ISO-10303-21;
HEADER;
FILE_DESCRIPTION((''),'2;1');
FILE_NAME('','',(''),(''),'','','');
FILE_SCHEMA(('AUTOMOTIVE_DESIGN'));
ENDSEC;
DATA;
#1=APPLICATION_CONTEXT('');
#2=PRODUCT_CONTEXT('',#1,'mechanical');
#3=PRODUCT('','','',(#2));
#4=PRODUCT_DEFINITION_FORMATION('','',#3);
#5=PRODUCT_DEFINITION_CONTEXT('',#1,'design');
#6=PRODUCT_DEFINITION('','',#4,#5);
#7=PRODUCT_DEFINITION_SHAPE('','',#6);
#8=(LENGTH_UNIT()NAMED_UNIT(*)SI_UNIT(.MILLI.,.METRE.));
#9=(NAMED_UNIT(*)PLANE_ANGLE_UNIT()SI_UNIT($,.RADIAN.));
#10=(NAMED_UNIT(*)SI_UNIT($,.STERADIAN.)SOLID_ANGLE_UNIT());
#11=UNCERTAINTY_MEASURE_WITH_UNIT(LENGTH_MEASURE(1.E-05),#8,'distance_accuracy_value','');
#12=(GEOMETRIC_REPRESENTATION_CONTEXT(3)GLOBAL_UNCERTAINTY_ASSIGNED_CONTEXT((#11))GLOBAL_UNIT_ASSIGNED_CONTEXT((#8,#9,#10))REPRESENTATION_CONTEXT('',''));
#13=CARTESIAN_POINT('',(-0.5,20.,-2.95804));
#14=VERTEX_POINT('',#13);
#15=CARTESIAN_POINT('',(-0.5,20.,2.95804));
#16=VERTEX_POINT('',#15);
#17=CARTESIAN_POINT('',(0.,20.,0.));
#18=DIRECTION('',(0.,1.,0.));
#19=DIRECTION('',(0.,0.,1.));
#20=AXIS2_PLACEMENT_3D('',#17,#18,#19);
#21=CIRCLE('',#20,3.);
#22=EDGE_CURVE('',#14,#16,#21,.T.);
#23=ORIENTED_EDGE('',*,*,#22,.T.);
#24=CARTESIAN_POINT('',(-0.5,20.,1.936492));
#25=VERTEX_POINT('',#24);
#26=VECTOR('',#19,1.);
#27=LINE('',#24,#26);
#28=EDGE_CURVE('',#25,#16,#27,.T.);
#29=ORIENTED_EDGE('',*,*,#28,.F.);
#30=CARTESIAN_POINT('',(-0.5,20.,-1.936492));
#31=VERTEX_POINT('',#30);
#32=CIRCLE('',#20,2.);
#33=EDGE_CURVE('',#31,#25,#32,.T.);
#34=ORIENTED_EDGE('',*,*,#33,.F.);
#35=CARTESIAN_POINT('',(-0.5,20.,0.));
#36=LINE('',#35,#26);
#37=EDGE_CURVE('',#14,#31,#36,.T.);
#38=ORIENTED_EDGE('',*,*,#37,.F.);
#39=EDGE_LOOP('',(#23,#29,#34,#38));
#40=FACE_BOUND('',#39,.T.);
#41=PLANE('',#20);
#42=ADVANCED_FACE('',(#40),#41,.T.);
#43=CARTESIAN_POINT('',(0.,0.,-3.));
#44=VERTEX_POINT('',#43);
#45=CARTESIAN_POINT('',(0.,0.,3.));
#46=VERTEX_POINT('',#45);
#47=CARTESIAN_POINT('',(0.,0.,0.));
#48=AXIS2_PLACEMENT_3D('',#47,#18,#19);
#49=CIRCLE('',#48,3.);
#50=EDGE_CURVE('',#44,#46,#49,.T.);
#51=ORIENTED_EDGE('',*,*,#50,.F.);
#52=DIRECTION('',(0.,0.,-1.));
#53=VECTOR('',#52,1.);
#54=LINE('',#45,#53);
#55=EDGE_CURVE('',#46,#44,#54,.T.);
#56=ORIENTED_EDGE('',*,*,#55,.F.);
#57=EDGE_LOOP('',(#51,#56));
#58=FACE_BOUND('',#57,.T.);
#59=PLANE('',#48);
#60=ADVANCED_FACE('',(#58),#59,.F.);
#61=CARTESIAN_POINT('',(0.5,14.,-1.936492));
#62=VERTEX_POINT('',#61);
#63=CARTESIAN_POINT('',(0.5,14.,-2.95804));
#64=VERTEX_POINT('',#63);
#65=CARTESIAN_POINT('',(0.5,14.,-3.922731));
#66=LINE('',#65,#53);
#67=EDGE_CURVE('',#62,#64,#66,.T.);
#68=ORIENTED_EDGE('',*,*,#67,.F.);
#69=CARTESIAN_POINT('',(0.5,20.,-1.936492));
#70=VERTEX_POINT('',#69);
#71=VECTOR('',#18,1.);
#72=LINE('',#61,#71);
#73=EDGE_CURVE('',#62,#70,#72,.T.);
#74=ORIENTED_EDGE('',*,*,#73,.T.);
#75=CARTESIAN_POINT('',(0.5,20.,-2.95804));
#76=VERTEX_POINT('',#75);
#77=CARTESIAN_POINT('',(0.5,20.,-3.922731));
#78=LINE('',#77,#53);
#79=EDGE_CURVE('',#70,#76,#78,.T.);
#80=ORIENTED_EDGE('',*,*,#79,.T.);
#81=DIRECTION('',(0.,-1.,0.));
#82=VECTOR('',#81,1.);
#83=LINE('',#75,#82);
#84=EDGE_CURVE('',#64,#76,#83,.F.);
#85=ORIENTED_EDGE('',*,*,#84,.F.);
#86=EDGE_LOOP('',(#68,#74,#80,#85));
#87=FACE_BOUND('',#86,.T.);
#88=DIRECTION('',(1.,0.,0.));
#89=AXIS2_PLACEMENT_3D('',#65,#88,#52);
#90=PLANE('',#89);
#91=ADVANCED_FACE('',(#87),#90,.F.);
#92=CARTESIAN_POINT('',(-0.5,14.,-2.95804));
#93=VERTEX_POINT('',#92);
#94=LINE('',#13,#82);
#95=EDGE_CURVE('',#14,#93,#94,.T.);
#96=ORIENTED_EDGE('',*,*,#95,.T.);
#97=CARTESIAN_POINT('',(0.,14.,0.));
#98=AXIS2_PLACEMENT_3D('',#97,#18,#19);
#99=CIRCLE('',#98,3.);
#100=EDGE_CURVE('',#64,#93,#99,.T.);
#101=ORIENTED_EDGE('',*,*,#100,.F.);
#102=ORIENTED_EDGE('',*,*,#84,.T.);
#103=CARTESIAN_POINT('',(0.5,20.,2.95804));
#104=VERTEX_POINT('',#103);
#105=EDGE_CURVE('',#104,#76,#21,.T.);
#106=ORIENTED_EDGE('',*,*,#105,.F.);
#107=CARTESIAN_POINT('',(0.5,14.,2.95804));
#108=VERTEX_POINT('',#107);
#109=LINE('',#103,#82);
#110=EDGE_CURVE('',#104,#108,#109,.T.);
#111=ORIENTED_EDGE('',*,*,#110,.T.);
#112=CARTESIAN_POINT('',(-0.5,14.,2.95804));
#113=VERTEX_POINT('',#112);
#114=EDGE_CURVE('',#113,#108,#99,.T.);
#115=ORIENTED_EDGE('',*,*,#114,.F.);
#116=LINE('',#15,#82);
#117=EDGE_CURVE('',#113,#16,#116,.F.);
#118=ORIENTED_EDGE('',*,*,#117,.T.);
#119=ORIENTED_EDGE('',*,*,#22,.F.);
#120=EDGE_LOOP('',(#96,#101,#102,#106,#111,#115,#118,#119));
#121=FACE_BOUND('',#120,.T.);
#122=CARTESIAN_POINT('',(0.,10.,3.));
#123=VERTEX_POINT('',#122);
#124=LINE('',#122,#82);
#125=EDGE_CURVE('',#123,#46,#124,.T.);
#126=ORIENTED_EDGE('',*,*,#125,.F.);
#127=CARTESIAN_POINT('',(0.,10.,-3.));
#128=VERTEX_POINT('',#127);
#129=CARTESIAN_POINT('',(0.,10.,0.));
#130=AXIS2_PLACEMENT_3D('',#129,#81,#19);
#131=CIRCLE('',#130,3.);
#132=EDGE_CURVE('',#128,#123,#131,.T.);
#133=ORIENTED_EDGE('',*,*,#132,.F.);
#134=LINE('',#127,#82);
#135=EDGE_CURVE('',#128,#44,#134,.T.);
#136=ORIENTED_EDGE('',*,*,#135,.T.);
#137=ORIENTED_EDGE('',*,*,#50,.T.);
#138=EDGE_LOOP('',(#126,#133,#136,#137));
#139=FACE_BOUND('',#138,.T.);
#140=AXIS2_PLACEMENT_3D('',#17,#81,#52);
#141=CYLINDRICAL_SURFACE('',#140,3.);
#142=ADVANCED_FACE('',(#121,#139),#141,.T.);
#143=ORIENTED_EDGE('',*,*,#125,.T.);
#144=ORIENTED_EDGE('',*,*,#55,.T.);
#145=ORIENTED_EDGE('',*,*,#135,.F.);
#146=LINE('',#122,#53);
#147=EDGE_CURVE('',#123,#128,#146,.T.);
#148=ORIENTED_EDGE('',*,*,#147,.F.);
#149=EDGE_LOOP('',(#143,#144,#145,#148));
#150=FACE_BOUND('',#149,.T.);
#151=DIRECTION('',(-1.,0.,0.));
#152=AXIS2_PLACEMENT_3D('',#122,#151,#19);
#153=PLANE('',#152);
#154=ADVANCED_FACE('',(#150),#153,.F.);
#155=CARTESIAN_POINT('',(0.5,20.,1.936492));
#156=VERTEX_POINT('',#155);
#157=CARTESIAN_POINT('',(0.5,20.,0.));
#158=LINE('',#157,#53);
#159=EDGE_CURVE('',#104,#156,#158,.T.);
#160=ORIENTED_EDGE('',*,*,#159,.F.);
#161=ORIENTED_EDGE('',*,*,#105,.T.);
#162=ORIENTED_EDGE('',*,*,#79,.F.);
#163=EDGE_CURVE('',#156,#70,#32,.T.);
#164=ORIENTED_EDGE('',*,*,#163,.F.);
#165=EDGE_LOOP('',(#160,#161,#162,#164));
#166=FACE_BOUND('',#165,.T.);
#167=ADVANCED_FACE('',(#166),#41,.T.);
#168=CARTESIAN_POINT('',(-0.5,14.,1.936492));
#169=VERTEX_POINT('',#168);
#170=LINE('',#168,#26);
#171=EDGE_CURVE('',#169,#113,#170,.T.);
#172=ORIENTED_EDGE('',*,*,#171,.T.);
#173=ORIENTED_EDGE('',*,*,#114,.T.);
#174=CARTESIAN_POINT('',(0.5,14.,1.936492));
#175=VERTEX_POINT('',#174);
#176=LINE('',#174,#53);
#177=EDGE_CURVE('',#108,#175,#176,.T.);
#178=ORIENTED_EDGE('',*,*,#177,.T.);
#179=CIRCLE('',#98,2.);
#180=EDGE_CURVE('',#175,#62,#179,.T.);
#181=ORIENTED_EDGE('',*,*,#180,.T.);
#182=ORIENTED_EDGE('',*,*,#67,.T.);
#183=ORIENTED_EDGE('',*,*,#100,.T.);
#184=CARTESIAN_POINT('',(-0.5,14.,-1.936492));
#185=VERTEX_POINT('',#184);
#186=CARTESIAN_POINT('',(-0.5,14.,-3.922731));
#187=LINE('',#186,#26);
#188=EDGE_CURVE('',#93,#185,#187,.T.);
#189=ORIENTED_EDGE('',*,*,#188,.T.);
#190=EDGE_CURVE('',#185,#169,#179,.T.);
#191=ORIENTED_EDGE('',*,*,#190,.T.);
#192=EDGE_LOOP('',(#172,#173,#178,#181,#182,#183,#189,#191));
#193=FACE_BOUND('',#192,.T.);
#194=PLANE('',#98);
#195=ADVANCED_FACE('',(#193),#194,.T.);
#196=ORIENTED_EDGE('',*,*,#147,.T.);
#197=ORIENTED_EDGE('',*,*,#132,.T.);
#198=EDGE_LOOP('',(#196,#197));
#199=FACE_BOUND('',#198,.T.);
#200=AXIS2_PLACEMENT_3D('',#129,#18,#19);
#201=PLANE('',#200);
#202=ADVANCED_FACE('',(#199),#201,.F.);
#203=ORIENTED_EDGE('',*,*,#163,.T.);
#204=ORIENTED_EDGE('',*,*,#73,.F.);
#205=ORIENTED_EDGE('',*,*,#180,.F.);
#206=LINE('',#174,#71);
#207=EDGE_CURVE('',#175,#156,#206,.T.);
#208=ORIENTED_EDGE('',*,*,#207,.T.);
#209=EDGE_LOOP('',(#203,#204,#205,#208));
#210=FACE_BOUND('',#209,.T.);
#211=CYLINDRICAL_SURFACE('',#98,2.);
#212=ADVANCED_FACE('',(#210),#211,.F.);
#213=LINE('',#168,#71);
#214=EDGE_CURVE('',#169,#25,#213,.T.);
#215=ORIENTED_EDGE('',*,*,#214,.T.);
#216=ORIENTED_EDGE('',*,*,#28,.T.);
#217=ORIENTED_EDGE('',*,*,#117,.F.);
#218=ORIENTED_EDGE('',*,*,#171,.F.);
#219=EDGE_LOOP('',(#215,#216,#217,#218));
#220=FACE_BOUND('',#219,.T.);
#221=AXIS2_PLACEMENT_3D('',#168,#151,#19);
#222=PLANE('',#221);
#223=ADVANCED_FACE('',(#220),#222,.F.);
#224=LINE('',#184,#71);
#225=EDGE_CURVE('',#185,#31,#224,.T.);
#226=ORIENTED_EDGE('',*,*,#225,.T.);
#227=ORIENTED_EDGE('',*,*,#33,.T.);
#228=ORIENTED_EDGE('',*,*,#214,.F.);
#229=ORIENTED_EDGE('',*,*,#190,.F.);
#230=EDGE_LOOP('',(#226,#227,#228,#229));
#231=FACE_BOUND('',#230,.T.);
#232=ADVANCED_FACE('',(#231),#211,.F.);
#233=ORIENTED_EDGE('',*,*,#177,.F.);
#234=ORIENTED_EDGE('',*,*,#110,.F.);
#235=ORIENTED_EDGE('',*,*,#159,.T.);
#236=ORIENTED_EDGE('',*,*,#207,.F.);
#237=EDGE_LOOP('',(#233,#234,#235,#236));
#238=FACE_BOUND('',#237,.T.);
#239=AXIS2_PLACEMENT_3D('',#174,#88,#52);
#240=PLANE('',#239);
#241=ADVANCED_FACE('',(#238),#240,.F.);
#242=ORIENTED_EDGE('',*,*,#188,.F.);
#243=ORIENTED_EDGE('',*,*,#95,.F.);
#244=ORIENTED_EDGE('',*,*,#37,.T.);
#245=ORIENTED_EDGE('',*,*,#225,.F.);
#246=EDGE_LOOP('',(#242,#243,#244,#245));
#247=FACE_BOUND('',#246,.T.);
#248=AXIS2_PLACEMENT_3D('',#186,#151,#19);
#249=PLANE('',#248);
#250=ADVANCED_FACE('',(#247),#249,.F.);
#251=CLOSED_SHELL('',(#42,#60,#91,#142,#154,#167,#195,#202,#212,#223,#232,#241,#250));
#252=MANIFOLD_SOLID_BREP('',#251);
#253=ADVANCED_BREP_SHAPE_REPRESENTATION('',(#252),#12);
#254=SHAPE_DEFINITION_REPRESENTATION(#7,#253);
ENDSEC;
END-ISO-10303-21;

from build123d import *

# Parameters (mm, degrees)
SKETCH1_R           = 3
BOSS_EXTRUDE1_DEPTH = 20
CUT_EXTRUDE1_DEPTH  = 10
CUT_EXTRUDE2_DEPTH  = 6


with BuildPart() as part:
    # Sketch1 → Boss-Extrude1 (new body)
    with BuildSketch(Plane(origin=(0, 0, 0), x_dir=(1, 0, 0), z_dir=(0, 1, 0))):
        with Locations(Location((0, 0, 0), (0, 0, 270))):
            Circle(SKETCH1_R)
    extrude(amount=BOSS_EXTRUDE1_DEPTH)

    # Sketch2 → Cut-Extrude1 (cut)
    with BuildSketch(Plane.XZ):
        with BuildLine():
            Line((0, 3), (0, -3))
            ThreePointArc((0, -3), (3, 0), (0, 3))
        make_face()
    extrude(amount=-CUT_EXTRUDE1_DEPTH, mode=Mode.SUBTRACT)

    # Sketch3 → Cut-Extrude2 (cut)
    with BuildSketch(Plane(origin=(0, 20, 0), x_dir=(1, 0, 0), z_dir=(0, 1, 0))):
        with BuildLine():
            Line((-0.5, -1.936491673), (-0.5, -3.922731478))
            Line((-0.5, -3.922731478), (0.5, -3.922731478))
            Line((0.5, -3.922731478), (0.5, -1.936491673))
            ThreePointArc((0.5, -1.936491673), (2, 0), (0.5, 1.936491673))
            Line((0.5, 1.936491673), (0.5, 3.922731478))
            Line((0.5, 3.922731478), (-0.5, 3.922731478))
            Line((-0.5, 3.922731478), (-0.5, 1.936491673))
            ThreePointArc((-0.5, 1.936491673), (-2, 0), (-0.5, -1.936491673))
        make_face()
    extrude(amount=-CUT_EXTRUDE2_DEPTH, mode=Mode.SUBTRACT)


solid = part.part
